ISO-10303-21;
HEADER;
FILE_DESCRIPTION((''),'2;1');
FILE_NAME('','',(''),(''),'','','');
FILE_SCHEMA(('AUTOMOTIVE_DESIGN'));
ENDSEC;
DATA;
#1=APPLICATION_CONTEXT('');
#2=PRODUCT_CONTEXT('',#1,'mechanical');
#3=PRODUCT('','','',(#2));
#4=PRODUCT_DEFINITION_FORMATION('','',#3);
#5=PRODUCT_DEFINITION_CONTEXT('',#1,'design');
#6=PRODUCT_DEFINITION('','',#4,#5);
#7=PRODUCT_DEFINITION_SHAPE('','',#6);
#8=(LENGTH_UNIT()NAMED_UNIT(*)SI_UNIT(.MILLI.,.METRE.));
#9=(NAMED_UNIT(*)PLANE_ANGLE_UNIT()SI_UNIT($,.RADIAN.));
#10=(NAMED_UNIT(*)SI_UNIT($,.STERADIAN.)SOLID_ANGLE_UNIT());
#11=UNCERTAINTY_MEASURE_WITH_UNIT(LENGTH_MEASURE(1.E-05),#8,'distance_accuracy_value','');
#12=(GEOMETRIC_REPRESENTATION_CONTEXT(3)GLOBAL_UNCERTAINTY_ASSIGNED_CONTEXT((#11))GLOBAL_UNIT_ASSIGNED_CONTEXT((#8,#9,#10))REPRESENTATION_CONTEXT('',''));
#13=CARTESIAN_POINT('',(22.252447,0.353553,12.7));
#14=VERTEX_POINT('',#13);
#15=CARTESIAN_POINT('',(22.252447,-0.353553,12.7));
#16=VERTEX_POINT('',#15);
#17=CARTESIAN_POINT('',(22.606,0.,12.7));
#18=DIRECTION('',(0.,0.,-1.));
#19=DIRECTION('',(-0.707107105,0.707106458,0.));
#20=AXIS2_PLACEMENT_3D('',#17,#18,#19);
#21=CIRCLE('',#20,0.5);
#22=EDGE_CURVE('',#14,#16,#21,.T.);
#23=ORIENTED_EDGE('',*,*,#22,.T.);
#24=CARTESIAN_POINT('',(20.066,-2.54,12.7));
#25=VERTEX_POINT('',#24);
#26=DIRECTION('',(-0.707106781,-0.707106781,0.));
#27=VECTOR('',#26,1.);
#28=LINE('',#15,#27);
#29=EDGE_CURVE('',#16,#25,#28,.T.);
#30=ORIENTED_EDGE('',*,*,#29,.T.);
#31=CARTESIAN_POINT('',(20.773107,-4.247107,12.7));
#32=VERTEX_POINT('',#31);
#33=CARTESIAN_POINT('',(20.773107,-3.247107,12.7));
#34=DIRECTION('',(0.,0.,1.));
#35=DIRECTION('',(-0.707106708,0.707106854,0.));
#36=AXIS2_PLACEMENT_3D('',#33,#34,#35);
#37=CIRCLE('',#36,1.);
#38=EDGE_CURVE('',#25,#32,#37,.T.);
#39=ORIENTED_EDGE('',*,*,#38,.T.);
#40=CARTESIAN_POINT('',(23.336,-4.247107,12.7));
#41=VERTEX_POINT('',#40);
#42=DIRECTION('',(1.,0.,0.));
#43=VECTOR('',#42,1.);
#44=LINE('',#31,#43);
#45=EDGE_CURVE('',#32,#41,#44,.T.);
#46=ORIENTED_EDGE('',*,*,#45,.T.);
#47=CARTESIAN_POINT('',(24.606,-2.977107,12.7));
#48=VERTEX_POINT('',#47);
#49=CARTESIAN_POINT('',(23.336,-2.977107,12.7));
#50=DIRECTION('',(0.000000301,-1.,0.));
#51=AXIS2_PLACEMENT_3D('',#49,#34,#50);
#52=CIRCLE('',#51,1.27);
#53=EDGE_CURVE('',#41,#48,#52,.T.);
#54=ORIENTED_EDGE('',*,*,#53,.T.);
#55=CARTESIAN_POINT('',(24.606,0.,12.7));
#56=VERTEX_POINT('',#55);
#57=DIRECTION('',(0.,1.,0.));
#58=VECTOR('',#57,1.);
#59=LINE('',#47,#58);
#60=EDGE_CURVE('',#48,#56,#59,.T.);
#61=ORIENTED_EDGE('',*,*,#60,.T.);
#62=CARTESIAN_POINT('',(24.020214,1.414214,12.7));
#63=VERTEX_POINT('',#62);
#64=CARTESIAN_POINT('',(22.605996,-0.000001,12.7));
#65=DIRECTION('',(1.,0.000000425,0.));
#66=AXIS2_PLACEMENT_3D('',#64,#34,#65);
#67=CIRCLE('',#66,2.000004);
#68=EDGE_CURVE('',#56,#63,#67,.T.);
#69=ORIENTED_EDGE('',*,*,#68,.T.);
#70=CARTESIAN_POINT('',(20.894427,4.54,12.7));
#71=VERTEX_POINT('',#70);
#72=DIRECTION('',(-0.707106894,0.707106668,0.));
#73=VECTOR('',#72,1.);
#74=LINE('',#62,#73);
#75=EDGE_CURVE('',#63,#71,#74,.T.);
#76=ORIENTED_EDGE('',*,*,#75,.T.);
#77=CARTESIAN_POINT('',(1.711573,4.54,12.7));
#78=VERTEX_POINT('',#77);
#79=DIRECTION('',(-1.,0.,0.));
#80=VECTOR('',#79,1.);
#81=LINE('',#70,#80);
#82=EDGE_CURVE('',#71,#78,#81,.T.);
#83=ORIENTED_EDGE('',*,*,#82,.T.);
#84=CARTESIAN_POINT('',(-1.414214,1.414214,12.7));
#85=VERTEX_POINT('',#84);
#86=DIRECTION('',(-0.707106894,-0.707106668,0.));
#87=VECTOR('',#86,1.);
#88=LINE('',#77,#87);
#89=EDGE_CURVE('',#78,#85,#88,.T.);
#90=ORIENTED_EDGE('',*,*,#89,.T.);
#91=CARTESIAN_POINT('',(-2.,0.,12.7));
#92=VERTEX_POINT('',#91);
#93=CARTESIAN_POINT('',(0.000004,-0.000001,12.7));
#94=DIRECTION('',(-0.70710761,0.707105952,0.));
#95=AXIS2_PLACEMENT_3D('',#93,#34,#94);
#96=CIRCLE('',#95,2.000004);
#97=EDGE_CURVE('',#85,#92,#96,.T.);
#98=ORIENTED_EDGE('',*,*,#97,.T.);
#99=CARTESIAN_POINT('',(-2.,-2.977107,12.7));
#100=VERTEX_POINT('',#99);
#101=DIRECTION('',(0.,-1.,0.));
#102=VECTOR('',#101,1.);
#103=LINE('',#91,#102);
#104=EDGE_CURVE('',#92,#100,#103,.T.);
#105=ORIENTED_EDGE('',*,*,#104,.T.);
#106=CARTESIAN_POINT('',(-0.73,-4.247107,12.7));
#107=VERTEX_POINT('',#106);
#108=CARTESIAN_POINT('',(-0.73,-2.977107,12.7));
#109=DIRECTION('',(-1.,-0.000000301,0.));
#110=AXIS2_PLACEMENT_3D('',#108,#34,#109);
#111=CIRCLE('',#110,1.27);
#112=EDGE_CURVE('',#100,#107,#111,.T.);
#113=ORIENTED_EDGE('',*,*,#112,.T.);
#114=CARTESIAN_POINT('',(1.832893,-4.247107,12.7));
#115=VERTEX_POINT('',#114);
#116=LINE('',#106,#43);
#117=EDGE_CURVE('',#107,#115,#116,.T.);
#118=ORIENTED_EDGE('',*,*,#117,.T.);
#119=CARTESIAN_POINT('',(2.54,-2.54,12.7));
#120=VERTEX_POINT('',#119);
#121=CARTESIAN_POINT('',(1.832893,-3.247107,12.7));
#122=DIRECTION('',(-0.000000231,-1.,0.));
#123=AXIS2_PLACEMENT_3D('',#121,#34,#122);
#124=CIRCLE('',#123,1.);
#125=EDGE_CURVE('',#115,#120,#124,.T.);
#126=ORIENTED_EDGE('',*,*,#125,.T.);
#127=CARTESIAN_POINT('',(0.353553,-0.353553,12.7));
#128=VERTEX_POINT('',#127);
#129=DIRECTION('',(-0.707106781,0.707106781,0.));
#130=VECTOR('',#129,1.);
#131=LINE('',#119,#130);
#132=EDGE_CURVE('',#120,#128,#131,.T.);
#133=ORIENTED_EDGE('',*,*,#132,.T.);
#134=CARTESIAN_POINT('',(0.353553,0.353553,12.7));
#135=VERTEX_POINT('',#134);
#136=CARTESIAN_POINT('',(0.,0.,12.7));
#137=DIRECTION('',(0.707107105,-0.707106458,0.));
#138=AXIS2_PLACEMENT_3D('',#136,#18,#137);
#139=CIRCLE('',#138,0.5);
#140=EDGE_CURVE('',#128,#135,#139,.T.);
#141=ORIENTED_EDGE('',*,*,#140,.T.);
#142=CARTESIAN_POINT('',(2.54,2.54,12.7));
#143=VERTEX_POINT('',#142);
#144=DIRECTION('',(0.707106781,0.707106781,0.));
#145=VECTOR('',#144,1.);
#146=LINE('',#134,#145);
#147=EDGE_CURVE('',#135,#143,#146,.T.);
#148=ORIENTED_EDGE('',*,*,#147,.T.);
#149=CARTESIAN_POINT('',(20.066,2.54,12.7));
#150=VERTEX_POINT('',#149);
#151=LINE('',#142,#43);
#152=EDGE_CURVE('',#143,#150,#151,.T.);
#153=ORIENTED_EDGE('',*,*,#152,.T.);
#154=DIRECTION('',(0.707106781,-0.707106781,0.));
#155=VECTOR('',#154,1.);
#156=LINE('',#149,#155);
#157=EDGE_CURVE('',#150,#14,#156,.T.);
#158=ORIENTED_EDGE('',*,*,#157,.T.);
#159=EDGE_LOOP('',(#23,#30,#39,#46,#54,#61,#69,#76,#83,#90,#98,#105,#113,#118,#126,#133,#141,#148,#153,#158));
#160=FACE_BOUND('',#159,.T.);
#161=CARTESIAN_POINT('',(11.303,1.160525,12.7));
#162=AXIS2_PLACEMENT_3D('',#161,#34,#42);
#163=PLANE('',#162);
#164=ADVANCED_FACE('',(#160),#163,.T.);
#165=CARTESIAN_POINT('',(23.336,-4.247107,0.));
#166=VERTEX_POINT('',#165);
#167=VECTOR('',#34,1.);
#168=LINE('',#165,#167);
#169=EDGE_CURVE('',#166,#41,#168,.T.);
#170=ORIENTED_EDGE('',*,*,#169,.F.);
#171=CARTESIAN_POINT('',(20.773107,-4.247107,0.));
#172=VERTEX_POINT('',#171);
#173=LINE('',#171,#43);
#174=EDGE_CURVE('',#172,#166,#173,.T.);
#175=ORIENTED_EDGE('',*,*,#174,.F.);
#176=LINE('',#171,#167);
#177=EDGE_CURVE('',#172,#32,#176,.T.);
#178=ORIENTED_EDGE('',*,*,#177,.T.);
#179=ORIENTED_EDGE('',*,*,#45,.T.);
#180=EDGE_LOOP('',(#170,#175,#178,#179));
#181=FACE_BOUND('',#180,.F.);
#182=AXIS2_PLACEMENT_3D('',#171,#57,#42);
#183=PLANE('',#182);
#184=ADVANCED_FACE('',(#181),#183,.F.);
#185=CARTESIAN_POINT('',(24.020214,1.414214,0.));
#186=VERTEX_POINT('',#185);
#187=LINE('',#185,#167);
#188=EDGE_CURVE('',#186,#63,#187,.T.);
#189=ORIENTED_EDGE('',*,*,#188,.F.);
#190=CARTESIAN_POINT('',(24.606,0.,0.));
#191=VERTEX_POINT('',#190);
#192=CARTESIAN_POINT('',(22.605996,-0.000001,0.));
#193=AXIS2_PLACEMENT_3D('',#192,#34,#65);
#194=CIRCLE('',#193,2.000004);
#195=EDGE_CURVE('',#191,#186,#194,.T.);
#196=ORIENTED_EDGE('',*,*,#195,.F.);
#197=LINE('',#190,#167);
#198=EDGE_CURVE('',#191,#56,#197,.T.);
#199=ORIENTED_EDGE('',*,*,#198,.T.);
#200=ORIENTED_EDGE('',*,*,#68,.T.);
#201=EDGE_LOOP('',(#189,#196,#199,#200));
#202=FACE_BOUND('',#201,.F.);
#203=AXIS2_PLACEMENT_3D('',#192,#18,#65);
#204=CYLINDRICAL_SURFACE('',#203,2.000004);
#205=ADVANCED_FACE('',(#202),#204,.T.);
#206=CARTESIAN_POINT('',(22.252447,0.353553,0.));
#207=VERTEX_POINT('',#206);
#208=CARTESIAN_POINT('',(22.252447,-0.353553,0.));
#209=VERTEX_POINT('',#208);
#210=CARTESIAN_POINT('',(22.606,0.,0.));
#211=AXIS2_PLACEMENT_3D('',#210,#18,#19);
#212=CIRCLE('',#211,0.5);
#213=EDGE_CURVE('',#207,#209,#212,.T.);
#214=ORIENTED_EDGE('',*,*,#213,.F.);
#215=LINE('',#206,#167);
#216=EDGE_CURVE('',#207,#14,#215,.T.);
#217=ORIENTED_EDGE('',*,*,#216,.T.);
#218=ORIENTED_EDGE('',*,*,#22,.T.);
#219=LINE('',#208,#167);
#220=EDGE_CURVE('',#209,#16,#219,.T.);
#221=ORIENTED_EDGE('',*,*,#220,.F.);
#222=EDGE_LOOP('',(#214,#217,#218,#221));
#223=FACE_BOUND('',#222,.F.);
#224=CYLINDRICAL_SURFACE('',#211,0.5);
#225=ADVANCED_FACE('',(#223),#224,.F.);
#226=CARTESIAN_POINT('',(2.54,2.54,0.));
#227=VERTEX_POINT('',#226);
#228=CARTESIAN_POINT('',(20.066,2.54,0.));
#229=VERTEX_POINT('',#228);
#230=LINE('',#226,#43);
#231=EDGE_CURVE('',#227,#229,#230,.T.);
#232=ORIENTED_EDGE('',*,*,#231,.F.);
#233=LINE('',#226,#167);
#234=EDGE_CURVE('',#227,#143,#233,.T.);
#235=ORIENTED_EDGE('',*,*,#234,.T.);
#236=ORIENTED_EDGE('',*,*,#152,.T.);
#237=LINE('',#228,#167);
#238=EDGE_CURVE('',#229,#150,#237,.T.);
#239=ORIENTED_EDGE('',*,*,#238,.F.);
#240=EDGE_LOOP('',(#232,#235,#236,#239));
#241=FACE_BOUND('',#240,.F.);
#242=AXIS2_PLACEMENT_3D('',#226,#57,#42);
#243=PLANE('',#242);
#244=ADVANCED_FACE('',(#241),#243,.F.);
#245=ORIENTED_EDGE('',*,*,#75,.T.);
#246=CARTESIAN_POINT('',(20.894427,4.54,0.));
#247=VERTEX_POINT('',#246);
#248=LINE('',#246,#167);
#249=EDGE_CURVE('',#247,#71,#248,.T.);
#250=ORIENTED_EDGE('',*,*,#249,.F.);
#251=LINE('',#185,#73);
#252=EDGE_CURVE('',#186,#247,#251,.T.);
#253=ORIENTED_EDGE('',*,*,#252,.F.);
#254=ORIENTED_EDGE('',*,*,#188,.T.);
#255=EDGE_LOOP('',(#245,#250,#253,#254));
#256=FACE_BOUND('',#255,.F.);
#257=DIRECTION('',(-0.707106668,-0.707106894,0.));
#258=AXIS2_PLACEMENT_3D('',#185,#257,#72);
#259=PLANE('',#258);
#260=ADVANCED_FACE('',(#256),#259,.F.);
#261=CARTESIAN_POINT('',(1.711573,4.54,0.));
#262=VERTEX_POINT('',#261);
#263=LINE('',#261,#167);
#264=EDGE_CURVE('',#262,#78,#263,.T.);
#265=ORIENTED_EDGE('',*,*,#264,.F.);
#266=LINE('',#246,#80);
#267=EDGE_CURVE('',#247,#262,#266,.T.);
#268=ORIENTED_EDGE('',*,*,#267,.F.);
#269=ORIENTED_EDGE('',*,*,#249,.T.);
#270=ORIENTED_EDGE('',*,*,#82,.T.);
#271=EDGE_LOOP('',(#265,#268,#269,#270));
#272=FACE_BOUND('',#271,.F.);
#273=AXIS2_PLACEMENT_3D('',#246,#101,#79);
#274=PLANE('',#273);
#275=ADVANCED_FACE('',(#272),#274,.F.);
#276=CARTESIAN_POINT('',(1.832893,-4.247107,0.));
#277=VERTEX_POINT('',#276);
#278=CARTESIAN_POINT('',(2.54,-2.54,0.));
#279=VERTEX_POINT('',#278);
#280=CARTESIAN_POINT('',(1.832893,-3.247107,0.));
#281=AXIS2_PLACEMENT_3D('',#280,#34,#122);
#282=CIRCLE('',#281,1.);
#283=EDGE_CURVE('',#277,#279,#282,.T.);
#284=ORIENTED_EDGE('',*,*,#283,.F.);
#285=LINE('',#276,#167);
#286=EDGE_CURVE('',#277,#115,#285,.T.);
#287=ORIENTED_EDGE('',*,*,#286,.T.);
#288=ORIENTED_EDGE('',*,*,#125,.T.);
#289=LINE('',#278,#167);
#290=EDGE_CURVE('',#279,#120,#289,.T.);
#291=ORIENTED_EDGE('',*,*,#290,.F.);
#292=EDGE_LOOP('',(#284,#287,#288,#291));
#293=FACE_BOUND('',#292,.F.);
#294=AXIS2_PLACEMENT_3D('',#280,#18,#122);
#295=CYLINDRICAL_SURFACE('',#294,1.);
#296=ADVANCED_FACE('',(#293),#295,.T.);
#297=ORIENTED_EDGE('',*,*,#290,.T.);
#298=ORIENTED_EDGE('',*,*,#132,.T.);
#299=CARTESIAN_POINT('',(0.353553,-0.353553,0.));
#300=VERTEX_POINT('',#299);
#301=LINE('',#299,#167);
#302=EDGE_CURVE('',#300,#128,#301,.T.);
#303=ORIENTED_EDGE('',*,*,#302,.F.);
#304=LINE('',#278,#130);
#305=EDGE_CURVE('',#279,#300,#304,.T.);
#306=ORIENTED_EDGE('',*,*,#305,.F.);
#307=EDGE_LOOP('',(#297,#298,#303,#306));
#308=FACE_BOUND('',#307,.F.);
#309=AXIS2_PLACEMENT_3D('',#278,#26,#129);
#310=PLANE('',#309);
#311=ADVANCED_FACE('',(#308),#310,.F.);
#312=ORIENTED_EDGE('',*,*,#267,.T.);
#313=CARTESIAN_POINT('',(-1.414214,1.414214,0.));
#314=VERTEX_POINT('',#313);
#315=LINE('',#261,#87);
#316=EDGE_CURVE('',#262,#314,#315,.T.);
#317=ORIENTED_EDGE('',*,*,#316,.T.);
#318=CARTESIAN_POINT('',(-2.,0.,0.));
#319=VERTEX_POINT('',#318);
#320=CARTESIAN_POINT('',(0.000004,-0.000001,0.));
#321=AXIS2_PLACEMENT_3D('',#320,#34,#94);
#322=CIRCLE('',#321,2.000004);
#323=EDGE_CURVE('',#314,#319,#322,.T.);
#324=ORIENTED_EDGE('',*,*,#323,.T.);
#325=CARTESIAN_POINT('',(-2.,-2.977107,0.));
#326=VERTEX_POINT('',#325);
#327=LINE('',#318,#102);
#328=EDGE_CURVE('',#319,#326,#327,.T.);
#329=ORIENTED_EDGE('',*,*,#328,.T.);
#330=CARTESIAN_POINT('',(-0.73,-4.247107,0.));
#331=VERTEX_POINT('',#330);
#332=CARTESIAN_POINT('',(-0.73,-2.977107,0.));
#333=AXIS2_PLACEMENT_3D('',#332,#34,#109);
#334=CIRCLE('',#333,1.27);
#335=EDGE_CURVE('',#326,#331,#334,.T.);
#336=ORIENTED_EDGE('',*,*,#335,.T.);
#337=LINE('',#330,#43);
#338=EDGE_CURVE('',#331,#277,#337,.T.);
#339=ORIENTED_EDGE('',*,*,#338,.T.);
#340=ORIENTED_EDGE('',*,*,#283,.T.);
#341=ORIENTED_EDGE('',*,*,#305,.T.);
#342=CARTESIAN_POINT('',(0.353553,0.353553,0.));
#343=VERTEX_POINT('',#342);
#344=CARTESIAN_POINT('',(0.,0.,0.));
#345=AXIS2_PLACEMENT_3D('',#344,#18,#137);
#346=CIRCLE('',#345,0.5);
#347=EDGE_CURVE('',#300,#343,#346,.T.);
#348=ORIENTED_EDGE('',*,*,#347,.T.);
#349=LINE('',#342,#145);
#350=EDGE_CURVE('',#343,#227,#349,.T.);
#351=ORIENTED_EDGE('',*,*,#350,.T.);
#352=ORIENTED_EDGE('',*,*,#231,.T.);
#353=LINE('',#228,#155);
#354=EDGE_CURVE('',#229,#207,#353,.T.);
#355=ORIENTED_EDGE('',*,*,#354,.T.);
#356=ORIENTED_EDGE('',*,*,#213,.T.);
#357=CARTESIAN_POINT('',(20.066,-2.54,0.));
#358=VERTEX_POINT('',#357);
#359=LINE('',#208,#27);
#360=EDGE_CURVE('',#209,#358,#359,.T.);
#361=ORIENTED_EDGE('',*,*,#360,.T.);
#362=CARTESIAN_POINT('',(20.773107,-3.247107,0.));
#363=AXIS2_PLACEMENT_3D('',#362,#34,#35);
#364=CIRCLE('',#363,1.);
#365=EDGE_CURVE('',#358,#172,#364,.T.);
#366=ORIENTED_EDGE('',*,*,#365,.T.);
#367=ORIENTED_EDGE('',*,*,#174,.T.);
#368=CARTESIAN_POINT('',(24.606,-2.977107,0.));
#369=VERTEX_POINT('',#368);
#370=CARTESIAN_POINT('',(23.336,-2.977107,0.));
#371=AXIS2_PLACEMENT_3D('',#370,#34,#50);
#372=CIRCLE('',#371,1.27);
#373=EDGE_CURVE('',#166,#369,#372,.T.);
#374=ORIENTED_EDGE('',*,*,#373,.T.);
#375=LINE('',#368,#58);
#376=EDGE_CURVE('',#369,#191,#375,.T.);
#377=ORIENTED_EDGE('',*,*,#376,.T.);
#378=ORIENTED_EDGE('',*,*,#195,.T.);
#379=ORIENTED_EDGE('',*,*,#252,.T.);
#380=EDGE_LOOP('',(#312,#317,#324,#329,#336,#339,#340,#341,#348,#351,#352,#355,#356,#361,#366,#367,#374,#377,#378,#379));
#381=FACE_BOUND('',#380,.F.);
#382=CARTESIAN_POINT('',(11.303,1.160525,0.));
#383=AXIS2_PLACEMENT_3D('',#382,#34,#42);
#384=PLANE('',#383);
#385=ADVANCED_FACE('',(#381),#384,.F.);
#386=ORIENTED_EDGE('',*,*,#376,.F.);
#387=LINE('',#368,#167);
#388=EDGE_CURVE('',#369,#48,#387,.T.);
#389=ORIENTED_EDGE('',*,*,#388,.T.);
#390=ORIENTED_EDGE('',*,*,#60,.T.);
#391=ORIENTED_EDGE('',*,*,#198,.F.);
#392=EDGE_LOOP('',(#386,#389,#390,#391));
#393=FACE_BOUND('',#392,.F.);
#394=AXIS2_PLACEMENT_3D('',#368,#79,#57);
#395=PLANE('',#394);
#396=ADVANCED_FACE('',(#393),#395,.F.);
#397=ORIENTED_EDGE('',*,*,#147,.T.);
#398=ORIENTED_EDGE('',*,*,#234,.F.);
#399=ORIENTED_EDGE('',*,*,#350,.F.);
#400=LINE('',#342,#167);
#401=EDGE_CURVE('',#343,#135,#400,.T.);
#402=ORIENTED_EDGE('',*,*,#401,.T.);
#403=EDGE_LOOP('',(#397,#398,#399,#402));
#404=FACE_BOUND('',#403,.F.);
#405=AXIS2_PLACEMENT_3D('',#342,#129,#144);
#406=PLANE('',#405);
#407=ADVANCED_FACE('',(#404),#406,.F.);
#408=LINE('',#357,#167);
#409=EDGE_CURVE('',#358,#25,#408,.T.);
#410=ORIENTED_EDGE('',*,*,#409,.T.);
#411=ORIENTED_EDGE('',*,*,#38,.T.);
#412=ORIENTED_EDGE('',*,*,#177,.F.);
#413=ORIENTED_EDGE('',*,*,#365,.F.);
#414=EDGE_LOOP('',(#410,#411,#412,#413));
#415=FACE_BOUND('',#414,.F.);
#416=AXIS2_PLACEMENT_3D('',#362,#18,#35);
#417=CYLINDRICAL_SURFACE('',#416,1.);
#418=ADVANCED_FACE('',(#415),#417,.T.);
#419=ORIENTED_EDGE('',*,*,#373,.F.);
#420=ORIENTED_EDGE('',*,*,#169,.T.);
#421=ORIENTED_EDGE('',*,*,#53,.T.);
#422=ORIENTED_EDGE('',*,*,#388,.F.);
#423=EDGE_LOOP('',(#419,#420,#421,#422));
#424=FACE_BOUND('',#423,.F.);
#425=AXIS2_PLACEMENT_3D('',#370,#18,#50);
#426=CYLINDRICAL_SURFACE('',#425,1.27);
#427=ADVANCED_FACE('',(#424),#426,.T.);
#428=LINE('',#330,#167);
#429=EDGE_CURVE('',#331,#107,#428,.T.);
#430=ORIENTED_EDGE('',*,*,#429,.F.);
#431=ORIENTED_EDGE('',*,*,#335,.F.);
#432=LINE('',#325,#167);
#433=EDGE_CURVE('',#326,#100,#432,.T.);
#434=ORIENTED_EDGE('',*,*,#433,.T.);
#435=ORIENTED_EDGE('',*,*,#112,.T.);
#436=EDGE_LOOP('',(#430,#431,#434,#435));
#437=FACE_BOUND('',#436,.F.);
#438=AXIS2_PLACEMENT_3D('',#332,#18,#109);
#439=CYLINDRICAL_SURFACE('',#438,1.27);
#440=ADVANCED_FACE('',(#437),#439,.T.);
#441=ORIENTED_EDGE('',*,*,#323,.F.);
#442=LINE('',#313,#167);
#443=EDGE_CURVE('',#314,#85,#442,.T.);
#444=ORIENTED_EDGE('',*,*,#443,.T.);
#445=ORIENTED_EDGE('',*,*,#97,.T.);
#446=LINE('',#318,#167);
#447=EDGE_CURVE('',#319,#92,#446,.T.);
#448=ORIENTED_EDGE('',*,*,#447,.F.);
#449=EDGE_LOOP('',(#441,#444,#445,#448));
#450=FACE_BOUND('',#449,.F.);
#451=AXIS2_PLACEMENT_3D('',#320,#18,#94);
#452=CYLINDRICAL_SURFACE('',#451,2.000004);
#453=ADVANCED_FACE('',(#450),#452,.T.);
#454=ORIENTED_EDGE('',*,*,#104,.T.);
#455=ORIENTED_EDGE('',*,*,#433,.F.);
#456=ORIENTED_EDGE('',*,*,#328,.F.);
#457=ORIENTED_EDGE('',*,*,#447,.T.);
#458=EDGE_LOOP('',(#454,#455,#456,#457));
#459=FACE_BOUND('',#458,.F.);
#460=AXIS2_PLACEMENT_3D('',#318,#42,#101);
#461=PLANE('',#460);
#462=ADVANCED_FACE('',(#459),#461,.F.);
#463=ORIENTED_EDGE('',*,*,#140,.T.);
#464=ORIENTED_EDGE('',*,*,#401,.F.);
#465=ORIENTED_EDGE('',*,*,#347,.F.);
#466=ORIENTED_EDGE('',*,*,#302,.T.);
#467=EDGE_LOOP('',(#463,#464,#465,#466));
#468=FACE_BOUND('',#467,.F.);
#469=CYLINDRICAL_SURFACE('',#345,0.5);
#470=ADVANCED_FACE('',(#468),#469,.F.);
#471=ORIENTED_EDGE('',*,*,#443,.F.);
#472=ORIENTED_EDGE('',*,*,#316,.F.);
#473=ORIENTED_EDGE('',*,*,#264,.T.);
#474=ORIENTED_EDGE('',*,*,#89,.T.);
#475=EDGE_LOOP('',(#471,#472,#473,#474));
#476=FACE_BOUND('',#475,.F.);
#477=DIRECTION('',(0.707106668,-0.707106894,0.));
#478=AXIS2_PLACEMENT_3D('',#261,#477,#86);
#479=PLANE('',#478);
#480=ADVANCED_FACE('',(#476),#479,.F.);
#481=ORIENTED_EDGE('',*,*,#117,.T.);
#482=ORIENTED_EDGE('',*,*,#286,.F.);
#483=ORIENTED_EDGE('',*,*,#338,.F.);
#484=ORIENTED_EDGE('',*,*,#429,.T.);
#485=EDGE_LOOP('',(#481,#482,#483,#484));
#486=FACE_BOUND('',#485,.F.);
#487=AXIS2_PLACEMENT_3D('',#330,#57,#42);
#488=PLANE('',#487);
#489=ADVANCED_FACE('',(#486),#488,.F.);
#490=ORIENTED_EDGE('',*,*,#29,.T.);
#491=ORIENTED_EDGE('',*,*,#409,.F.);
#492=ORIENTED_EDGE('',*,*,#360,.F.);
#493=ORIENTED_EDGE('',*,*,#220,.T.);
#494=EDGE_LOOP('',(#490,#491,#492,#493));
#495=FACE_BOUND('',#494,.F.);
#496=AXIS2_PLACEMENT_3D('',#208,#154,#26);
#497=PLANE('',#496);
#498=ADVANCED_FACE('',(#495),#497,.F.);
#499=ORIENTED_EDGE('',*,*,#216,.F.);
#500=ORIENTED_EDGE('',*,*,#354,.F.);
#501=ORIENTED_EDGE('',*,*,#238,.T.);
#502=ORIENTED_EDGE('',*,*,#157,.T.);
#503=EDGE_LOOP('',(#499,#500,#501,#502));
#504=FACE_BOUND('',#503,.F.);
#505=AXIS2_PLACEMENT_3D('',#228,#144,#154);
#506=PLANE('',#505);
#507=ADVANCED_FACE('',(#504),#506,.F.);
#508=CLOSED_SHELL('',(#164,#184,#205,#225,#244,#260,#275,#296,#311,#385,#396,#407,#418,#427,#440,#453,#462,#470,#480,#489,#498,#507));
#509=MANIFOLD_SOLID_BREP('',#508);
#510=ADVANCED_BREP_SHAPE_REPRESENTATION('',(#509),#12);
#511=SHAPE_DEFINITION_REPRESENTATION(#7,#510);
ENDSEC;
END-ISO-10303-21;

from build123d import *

# Parameters (mm, degrees)
F1_DEPTH = 12.7


with BuildPart() as f1:
    # F0 (on Top) → F1 (new body)
    with BuildSketch(Plane.XY):
        with BuildLine():
            ThreePointArc((0.353553, -0.353553), (-0.5, 0), (0.353553, 0.353553))
            Line((0.353553, 0.353553), (2.54, 2.54))
            Line((2.54, 2.54), (11.696242, 2.54))
            Line((11.696242, 2.54), (20.066, 2.54))
            Line((20.066, 2.54), (22.252447, 0.353553))
            ThreePointArc((22.252447, 0.353553), (23.106, 0), (22.252447, -0.353553))
            Line((22.252447, -0.353553), (20.066, -2.54))
            ThreePointArc((20.066, -2.54), (19.849227, -3.62979), (20.773107, -4.247107))
            Line((20.773107, -4.247107), (23.336, -4.247107))
            ThreePointArc((23.336, -4.247107), (24.234026, -3.875132), (24.606, -2.977107))
            Line((24.606, -2.977107), (24.606, 0))
            ThreePointArc((24.606, 0), (24.453759, 0.765367), (24.020214, 1.414214))
            Line((24.020214, 1.414214), (20.894427, 4.54))
            Line((20.894427, 4.54), (11.696242, 4.54))
            Line((11.696242, 4.54), (1.711573, 4.54))
            Line((1.711573, 4.54), (-1.414214, 1.414214))
            ThreePointArc((-1.414214, 1.414214), (-1.847759, 0.765367), (-2, 0))
            Line((-2, 0), (-2, -2.977107))
            ThreePointArc((-2, -2.977107), (-1.628026, -3.875132), (-0.73, -4.247107))
            Line((-0.73, -4.247107), (1.832893, -4.247107))
            ThreePointArc((1.832893, -4.247107), (2.756773, -3.62979), (2.54, -2.54))
            Line((2.54, -2.54), (0.353553, -0.353553))
        make_face()
    extrude(amount=F1_DEPTH)


solid = f1.part
